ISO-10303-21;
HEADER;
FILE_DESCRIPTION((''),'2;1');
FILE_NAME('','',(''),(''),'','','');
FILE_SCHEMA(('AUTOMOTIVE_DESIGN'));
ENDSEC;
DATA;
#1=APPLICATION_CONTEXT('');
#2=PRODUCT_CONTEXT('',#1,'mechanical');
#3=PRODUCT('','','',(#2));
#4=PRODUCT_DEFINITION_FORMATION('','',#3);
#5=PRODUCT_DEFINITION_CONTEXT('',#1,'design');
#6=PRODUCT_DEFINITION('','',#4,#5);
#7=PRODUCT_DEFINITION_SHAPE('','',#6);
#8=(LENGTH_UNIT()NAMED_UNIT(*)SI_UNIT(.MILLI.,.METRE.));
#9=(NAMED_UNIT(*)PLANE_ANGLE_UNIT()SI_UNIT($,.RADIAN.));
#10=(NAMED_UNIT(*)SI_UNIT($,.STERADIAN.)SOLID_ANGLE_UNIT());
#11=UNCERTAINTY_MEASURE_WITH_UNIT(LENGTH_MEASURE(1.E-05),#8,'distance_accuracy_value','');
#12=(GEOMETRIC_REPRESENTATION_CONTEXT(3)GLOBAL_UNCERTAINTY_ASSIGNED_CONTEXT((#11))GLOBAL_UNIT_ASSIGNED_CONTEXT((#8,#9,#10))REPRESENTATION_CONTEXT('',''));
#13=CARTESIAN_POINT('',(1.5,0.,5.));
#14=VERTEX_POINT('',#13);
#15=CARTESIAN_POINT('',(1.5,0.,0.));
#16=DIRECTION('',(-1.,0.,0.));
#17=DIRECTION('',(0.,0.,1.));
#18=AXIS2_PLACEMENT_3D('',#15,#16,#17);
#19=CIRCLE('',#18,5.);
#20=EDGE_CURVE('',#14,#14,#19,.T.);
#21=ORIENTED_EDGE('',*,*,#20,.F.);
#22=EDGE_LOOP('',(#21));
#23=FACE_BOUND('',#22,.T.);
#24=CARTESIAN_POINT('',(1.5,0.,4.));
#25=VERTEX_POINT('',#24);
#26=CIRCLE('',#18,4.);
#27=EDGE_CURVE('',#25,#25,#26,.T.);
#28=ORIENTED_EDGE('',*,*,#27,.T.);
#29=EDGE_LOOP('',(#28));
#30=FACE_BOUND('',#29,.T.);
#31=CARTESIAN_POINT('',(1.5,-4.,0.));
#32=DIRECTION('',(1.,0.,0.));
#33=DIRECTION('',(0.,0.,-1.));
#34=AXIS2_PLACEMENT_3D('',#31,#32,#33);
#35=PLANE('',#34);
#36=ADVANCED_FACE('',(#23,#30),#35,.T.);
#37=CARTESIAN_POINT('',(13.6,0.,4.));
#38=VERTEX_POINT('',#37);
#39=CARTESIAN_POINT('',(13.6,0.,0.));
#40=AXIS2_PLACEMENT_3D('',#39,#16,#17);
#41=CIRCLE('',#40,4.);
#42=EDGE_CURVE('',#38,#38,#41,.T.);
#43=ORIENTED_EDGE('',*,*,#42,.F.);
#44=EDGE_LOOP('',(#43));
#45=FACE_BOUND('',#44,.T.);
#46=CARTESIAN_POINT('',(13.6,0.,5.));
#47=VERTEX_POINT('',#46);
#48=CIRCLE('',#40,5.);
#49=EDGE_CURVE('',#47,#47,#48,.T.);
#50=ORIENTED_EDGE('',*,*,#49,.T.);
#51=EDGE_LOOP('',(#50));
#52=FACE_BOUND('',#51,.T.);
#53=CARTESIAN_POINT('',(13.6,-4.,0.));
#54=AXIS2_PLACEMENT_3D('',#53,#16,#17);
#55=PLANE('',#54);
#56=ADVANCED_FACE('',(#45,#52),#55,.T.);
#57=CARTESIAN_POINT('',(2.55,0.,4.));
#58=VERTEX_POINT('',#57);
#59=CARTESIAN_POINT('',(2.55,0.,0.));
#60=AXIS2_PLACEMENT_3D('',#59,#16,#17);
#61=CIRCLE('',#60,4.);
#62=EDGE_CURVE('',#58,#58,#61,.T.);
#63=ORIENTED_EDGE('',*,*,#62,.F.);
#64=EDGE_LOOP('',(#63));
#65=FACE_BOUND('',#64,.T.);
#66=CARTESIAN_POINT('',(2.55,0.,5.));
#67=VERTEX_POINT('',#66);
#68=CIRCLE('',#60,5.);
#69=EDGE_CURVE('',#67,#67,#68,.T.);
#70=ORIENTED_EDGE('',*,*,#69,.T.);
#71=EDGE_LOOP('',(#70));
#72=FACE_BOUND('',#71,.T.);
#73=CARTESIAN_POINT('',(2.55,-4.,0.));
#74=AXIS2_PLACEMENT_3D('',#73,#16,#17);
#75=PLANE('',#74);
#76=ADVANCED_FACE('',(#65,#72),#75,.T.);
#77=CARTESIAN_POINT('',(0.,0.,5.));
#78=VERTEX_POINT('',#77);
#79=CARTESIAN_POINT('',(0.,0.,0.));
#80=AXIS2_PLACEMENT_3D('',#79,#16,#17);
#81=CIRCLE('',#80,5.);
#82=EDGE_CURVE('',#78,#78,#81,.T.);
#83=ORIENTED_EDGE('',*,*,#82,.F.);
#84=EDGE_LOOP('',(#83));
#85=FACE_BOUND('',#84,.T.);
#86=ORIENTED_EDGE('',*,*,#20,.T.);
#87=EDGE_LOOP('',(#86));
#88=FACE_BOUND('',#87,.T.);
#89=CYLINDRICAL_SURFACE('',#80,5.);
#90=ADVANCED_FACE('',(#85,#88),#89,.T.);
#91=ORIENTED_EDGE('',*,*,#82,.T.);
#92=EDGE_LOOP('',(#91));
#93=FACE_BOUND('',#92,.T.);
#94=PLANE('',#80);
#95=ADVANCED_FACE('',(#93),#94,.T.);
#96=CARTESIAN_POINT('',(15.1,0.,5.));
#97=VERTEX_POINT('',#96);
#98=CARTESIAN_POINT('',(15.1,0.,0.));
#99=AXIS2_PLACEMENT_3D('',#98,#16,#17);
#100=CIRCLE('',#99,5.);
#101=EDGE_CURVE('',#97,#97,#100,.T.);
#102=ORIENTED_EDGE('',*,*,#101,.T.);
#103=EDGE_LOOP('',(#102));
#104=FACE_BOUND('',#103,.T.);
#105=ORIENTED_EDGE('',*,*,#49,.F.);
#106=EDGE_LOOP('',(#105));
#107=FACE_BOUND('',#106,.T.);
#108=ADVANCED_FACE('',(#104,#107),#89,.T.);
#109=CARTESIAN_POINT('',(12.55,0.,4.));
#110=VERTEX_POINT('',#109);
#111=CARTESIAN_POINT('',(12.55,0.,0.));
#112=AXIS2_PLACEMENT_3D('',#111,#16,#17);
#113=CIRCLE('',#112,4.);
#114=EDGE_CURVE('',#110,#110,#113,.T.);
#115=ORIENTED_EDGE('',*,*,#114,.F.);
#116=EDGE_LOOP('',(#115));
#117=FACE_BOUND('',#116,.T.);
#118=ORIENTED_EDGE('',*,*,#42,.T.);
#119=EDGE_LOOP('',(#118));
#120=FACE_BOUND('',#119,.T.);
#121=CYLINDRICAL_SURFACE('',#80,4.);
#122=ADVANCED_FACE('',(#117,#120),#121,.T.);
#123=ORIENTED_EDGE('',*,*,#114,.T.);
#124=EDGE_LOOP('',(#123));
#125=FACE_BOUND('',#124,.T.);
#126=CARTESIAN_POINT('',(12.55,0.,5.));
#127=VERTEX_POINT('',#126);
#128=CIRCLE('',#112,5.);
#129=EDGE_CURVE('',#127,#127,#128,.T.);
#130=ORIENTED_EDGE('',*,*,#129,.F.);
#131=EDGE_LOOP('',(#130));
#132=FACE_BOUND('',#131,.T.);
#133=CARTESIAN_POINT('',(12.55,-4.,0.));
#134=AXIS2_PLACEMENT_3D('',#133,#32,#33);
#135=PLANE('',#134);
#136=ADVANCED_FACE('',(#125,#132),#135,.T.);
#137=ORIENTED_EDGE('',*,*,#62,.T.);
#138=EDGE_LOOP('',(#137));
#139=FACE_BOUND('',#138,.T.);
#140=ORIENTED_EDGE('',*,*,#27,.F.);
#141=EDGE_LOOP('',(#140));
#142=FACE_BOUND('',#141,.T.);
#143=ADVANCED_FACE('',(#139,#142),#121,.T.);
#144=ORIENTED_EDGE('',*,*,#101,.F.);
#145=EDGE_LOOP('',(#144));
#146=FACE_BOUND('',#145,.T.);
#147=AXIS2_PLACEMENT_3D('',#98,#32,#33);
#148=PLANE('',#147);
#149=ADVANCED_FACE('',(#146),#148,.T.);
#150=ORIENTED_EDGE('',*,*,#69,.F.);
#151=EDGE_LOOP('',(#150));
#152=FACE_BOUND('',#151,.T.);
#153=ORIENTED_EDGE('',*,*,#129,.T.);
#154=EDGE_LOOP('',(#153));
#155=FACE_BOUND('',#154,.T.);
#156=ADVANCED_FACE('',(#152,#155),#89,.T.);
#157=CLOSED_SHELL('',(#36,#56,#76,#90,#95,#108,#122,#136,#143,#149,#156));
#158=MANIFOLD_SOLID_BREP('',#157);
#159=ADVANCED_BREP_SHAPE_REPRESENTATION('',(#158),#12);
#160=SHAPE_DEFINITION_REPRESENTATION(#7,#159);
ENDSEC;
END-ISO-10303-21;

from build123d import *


with BuildPart() as part:
    # Sketch1 → Revolve1 (revolve)
    with BuildSketch(Plane.XY, mode=Mode.PRIVATE) as revolve1_sk:
        Polygon((0, -5), (1.5, -5), (1.5, -4), (2.55, -4), (2.55, -5), (12.55, -5), (12.55, -4), (13.6, -4), (13.6, -5), (15.1, -5), (15.1, 0), (0, 0), align=None)
    revolve(revolve1_sk.sketch.rotate(Axis((0, 0, 0), (1, 0, 0)), 270), axis=Axis((0, 0, 0), (1, 0, 0)))


solid = part.part
